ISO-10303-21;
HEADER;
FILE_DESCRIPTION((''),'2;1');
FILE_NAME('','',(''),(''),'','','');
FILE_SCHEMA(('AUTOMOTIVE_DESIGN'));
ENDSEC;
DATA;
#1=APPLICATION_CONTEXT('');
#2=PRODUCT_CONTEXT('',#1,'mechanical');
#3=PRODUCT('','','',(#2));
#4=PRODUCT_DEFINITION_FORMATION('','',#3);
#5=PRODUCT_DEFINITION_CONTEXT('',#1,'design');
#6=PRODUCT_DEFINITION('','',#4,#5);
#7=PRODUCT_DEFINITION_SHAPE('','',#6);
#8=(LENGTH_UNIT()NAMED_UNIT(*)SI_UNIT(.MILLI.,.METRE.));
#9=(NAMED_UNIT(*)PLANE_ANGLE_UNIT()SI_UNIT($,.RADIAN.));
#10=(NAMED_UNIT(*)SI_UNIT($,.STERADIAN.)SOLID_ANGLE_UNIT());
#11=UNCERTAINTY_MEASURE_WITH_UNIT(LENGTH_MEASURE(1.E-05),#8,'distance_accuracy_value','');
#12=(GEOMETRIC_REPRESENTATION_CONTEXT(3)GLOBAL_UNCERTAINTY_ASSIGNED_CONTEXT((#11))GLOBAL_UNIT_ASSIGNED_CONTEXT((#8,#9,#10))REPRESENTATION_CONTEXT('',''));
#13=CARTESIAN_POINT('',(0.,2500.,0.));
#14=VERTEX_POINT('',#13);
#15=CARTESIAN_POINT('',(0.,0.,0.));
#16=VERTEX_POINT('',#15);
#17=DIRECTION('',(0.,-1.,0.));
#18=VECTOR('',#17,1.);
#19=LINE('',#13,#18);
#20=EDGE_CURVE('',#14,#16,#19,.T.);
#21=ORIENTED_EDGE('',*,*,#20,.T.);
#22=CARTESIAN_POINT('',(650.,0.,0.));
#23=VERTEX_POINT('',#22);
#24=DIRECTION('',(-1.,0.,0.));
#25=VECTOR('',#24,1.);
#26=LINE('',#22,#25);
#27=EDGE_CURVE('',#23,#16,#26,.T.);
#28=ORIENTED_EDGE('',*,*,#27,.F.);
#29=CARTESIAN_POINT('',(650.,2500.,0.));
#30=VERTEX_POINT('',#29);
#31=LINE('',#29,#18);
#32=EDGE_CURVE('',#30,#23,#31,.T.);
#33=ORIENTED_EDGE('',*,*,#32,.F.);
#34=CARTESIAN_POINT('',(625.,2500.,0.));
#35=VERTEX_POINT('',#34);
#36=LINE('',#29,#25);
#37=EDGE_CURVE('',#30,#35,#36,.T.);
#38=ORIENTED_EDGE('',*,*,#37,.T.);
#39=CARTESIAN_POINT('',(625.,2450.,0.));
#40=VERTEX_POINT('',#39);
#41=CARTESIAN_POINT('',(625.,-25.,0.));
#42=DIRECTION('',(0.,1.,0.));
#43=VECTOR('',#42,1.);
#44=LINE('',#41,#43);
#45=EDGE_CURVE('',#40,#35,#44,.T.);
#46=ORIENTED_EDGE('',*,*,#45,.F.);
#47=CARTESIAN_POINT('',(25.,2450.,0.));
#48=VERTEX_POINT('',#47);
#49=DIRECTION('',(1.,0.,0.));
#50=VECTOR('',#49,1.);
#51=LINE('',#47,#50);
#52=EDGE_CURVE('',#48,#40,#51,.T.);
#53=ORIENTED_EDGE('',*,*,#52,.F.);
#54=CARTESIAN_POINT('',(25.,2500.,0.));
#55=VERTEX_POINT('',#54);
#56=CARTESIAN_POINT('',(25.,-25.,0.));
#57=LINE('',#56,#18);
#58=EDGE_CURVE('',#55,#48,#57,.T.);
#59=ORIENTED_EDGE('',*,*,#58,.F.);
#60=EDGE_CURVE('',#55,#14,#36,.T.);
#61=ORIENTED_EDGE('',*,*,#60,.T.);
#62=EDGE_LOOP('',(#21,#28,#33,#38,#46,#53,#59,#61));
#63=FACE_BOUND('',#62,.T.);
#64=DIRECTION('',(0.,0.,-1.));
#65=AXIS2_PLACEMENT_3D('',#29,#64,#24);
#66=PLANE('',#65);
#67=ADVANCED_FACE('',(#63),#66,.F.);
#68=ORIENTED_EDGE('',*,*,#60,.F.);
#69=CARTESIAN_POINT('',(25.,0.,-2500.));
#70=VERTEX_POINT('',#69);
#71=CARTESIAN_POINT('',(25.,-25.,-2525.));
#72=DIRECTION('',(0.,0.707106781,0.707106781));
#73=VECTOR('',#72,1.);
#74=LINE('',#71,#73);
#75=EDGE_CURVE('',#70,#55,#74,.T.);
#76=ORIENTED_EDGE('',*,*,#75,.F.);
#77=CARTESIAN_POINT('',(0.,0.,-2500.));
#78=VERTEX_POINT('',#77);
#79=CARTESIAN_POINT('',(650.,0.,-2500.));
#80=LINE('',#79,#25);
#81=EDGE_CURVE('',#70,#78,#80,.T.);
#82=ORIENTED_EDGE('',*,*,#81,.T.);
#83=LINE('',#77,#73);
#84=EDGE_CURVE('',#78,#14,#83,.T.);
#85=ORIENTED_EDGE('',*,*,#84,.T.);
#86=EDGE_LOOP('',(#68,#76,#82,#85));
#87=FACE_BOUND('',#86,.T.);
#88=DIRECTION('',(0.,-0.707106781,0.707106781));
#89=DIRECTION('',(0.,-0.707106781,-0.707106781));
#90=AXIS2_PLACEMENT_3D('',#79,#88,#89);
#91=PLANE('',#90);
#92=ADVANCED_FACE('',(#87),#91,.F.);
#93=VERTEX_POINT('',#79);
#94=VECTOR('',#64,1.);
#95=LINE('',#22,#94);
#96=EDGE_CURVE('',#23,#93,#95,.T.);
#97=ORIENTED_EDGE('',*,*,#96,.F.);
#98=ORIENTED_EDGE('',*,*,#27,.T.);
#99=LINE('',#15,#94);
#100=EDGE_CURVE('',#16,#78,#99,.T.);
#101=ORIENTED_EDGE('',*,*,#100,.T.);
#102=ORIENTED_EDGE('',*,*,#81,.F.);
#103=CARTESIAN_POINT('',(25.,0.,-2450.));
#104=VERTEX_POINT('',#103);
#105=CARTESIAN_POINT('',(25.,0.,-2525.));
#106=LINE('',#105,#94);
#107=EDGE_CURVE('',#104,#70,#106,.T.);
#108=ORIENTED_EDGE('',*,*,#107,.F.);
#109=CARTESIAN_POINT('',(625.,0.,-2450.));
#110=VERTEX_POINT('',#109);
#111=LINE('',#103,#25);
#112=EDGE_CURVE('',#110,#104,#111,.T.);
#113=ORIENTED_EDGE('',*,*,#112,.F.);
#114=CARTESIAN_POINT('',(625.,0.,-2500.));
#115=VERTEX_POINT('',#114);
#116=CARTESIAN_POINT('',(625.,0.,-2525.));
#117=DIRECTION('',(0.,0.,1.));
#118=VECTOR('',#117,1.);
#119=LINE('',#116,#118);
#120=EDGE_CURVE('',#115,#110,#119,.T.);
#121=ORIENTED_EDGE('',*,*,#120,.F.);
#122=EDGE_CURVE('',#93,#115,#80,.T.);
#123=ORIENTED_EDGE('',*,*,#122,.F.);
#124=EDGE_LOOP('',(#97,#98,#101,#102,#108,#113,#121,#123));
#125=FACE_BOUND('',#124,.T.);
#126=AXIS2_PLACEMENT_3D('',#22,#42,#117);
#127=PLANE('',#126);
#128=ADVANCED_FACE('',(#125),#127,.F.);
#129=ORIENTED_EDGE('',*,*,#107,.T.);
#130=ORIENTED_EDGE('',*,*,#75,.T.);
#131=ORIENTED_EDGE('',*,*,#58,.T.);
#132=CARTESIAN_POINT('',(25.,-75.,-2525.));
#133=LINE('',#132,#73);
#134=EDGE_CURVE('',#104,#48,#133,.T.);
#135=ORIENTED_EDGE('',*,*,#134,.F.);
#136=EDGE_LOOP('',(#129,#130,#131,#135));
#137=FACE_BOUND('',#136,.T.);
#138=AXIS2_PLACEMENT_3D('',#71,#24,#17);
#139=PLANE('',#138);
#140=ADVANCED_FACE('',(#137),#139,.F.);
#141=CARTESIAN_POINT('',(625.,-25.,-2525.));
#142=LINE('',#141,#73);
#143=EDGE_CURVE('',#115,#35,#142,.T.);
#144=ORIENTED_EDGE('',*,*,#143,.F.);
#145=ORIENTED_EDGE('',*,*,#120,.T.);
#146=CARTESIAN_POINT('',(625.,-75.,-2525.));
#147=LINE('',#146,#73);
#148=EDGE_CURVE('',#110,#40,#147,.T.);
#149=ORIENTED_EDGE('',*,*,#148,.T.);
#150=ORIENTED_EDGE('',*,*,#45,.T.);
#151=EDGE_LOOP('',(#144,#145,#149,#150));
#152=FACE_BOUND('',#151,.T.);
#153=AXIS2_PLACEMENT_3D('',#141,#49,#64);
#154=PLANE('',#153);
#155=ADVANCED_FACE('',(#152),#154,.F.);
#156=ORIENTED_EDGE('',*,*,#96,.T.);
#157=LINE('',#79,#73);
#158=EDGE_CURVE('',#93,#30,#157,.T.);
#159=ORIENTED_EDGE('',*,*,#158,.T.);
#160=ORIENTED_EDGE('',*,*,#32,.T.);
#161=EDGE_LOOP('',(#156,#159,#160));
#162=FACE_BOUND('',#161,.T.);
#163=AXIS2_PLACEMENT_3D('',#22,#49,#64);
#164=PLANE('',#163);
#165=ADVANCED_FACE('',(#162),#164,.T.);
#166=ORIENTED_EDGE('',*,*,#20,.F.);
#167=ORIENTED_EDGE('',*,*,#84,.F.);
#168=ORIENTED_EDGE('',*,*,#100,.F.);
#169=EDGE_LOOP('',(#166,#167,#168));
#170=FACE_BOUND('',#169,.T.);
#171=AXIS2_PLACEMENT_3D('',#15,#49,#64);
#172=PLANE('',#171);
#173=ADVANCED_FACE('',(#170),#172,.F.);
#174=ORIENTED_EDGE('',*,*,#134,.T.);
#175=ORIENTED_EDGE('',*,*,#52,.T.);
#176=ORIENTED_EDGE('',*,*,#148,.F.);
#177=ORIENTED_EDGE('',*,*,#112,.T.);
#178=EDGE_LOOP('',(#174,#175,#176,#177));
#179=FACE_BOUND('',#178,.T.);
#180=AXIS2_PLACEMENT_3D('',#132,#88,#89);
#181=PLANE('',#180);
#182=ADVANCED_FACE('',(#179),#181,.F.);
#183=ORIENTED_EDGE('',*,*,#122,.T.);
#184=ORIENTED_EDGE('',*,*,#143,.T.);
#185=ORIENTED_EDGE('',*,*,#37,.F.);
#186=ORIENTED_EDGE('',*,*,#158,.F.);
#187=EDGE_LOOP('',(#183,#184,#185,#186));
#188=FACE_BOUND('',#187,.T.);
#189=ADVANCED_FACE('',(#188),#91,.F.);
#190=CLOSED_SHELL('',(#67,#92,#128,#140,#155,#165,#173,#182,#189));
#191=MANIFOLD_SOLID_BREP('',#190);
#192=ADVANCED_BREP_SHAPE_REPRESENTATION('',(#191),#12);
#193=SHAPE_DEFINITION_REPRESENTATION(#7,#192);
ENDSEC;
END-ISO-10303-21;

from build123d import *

# Parameters (mm, degrees)
BOSS_EXTRUDE1_DEPTH = 650
SKETCH2_W           = 600
SKETCH2_H           = 50


with BuildPart() as part:
    # Sketch1 → Boss-Extrude1 (new body)
    with BuildSketch(Plane(origin=(0, 0, 0), x_dir=(0, 0, -1), z_dir=(1, 0, 0))):
        Polygon((0, 0), (2500, 0), (0, 2500), align=None)
    extrude(amount=BOSS_EXTRUDE1_DEPTH)

    # Cut-Sweep1: sweep along a curve in space
    with BuildLine() as cut_sweep1_path:
        Line((0, 0, -2500), (0, 2500, 0))
    # Sketch2 → Cut-Sweep1 (sweep, cut)
    with BuildSketch(Plane.XY):
        with Locations((325, 2475)):
            Rectangle(SKETCH2_W, SKETCH2_H)
    sweep(path=cut_sweep1_path.line, mode=Mode.SUBTRACT)


solid = part.part
